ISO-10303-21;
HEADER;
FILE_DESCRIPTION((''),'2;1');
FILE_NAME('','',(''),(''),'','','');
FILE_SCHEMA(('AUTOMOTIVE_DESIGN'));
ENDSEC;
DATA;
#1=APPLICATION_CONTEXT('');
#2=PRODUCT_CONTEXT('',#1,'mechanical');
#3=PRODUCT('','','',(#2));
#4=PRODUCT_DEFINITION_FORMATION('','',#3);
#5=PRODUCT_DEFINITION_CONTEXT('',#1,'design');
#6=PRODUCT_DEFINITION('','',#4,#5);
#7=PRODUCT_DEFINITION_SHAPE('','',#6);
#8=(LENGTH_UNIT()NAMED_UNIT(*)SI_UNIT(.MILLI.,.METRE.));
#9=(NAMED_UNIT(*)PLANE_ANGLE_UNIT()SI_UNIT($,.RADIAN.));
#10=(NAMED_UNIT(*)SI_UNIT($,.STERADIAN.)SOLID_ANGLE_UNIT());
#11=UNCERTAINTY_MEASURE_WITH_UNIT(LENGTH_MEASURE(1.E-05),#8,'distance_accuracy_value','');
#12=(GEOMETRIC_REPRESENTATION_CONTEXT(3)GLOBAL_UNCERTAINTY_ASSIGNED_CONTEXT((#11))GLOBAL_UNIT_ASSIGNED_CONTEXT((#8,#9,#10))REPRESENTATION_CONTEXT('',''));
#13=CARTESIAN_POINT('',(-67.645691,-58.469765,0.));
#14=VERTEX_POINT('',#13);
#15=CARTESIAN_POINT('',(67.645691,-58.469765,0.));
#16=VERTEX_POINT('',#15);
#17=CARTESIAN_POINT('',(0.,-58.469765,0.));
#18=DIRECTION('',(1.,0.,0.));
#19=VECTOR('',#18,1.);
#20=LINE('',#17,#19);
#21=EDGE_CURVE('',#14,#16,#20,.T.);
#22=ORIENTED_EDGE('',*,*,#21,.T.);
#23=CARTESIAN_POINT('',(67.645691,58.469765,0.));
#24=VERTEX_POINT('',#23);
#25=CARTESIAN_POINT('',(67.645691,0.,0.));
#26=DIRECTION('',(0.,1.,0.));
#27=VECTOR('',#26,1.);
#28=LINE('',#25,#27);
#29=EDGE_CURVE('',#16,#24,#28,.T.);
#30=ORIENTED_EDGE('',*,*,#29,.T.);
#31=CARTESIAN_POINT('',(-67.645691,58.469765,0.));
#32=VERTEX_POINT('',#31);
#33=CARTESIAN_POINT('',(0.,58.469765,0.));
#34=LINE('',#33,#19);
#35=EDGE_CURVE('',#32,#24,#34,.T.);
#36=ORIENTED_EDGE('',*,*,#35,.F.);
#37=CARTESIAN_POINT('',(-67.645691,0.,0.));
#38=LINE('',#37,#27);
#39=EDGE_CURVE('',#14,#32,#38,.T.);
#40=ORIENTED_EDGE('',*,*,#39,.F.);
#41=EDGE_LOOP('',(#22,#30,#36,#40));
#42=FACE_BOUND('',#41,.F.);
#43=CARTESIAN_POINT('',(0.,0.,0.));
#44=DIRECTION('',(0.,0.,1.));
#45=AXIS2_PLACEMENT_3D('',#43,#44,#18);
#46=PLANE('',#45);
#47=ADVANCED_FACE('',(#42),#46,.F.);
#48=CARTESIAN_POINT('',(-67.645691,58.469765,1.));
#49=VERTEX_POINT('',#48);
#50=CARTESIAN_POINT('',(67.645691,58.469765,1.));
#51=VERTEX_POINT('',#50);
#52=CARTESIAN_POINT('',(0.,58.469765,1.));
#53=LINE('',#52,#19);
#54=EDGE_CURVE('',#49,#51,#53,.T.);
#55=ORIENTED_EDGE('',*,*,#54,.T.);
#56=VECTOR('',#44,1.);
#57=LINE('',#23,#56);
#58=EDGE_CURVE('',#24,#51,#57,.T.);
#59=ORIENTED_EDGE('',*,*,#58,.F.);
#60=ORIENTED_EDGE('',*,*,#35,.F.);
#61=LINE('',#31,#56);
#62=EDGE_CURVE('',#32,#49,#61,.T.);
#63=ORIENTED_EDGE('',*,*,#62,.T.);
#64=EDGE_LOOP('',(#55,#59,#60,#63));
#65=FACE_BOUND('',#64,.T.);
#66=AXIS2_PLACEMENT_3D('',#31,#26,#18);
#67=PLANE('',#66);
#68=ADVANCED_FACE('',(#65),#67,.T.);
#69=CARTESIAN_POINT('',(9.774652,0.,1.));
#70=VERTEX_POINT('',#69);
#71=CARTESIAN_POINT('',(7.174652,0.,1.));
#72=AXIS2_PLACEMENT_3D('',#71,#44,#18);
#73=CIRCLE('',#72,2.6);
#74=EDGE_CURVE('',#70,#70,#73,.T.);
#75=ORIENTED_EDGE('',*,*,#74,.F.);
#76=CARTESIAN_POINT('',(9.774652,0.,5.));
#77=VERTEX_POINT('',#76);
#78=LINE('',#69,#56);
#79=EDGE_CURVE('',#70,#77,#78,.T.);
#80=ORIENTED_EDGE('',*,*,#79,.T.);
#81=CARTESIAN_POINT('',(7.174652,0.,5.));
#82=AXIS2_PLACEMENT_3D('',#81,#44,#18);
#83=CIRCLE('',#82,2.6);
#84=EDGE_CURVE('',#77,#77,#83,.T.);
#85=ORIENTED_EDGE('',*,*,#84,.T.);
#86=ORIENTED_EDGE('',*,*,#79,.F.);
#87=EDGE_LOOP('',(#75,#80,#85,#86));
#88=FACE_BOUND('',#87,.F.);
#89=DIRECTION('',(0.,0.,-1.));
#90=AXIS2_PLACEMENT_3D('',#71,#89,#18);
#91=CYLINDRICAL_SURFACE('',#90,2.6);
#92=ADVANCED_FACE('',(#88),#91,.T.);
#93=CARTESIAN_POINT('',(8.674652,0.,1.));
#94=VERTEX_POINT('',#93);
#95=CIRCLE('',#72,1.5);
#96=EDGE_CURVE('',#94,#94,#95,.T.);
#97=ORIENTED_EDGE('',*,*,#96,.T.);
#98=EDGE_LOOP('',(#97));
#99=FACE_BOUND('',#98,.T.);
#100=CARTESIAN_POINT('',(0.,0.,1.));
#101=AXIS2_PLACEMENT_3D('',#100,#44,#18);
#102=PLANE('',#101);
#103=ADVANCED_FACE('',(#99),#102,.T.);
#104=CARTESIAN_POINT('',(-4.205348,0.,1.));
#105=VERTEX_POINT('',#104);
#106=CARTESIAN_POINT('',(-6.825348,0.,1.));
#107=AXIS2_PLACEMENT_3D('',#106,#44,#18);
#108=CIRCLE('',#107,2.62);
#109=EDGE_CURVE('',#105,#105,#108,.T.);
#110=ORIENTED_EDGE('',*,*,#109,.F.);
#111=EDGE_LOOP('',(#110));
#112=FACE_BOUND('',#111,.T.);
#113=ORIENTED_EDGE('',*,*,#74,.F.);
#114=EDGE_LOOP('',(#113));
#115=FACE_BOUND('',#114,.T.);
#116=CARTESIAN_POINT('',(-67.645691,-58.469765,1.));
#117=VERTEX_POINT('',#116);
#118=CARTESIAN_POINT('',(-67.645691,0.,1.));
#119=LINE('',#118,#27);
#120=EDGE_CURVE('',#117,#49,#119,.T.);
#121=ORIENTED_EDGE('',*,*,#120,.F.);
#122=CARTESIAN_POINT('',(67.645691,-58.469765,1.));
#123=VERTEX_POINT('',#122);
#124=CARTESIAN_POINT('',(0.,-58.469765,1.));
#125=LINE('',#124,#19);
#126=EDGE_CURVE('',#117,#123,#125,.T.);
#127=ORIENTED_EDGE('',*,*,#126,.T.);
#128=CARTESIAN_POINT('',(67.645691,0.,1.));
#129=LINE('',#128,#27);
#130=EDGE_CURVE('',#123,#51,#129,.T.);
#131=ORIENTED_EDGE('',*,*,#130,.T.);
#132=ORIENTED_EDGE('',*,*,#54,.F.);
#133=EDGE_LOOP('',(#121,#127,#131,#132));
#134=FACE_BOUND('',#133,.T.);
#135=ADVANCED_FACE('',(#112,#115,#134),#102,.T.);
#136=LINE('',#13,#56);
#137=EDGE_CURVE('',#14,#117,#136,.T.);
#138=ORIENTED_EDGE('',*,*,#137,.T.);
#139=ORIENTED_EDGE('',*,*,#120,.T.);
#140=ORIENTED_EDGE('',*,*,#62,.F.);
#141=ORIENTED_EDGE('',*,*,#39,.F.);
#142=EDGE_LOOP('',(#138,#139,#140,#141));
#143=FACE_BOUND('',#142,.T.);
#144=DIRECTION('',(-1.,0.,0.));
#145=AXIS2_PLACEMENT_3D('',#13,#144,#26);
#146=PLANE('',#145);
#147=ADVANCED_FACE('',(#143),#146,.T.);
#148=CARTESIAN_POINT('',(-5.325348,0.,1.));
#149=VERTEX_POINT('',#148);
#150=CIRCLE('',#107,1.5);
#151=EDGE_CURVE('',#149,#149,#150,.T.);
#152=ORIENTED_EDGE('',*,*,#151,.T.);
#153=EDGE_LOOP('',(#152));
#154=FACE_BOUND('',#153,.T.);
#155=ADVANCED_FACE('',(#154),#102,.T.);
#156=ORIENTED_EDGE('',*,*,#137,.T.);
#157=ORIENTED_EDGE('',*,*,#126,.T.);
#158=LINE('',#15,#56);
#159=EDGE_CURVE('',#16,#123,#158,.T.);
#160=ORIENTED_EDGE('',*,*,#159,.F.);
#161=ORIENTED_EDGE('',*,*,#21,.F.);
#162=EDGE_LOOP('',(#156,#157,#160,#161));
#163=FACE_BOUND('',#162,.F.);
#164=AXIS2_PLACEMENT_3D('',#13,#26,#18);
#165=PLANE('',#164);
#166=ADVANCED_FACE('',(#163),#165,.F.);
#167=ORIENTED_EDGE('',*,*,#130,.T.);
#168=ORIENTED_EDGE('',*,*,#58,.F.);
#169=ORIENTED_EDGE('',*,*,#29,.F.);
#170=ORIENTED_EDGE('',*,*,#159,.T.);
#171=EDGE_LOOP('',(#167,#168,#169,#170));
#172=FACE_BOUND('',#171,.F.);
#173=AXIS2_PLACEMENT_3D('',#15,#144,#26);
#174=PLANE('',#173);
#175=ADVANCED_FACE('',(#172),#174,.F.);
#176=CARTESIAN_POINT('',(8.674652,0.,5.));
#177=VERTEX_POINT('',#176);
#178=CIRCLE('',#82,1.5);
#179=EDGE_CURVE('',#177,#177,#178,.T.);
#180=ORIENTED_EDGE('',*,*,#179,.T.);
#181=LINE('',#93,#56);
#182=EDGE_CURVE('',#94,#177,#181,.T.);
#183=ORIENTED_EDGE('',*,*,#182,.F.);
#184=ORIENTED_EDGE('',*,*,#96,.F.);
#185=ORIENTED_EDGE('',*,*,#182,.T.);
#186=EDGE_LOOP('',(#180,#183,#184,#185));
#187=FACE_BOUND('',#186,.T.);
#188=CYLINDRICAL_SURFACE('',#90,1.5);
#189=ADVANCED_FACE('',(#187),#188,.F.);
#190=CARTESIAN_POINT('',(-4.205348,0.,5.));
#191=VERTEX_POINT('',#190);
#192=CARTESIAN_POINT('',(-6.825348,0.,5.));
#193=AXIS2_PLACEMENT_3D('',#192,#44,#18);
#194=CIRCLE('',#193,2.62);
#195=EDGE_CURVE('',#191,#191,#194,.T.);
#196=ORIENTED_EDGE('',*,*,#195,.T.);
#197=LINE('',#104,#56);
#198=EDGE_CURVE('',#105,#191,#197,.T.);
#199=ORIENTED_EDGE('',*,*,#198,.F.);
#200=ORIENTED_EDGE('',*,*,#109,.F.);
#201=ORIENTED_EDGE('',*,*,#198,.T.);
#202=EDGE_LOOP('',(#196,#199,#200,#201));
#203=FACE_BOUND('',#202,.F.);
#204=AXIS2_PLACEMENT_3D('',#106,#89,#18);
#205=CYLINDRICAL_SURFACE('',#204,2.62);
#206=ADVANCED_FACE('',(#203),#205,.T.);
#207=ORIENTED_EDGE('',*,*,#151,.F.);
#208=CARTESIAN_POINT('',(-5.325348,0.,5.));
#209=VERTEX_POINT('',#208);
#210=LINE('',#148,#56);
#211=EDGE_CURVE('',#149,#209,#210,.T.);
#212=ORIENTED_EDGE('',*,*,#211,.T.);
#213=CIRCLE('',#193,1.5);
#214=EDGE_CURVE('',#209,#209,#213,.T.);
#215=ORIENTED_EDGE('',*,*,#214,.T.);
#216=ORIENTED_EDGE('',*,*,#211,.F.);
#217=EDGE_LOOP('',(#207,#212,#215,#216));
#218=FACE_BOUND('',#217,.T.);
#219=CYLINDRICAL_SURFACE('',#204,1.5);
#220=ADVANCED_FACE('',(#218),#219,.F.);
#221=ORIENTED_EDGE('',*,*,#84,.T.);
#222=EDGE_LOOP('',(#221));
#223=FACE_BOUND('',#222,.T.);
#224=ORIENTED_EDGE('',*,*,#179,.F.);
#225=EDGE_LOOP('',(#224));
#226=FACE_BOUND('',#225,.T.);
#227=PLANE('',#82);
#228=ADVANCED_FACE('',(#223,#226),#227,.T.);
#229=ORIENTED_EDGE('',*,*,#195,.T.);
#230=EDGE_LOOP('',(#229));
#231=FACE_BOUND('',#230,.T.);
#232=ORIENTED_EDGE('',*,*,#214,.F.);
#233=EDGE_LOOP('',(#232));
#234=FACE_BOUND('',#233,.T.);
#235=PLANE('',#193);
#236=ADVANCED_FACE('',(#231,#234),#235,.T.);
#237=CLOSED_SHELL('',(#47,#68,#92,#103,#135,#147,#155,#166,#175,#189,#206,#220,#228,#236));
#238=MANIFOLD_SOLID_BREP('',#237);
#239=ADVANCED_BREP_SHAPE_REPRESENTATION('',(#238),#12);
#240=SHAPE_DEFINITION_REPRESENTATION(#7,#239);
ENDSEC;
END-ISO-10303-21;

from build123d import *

# Parameters (mm, degrees)
F0_W     = 135.291382
F0_H     = 116.93953
F1_DEPTH = 1
F2_R     = 2.62
F2_R_2   = 1.5
F2_R_3   = 2.6
F3_DEPTH = 4


with BuildPart() as f1:
    # F0 (on Top) → F1 (new body)
    with BuildSketch(Plane.XY):
        Rectangle(F0_W, F0_H)
    extrude(amount=F1_DEPTH)

    # F2 (on face) → F3 (join)
    with BuildSketch(Plane.XY.offset(1)):
        with Locations((-6.825348, 0)):
            Circle(F2_R)
        with Locations((-6.825348, 0)):
            Circle(F2_R_2, mode=Mode.SUBTRACT)
        with Locations((7.174652, 0)):
            Circle(F2_R_3)
        with Locations((7.174652, 0)):
            Circle(F2_R_2, mode=Mode.SUBTRACT)
    extrude(amount=F3_DEPTH)


solid = f1.part
